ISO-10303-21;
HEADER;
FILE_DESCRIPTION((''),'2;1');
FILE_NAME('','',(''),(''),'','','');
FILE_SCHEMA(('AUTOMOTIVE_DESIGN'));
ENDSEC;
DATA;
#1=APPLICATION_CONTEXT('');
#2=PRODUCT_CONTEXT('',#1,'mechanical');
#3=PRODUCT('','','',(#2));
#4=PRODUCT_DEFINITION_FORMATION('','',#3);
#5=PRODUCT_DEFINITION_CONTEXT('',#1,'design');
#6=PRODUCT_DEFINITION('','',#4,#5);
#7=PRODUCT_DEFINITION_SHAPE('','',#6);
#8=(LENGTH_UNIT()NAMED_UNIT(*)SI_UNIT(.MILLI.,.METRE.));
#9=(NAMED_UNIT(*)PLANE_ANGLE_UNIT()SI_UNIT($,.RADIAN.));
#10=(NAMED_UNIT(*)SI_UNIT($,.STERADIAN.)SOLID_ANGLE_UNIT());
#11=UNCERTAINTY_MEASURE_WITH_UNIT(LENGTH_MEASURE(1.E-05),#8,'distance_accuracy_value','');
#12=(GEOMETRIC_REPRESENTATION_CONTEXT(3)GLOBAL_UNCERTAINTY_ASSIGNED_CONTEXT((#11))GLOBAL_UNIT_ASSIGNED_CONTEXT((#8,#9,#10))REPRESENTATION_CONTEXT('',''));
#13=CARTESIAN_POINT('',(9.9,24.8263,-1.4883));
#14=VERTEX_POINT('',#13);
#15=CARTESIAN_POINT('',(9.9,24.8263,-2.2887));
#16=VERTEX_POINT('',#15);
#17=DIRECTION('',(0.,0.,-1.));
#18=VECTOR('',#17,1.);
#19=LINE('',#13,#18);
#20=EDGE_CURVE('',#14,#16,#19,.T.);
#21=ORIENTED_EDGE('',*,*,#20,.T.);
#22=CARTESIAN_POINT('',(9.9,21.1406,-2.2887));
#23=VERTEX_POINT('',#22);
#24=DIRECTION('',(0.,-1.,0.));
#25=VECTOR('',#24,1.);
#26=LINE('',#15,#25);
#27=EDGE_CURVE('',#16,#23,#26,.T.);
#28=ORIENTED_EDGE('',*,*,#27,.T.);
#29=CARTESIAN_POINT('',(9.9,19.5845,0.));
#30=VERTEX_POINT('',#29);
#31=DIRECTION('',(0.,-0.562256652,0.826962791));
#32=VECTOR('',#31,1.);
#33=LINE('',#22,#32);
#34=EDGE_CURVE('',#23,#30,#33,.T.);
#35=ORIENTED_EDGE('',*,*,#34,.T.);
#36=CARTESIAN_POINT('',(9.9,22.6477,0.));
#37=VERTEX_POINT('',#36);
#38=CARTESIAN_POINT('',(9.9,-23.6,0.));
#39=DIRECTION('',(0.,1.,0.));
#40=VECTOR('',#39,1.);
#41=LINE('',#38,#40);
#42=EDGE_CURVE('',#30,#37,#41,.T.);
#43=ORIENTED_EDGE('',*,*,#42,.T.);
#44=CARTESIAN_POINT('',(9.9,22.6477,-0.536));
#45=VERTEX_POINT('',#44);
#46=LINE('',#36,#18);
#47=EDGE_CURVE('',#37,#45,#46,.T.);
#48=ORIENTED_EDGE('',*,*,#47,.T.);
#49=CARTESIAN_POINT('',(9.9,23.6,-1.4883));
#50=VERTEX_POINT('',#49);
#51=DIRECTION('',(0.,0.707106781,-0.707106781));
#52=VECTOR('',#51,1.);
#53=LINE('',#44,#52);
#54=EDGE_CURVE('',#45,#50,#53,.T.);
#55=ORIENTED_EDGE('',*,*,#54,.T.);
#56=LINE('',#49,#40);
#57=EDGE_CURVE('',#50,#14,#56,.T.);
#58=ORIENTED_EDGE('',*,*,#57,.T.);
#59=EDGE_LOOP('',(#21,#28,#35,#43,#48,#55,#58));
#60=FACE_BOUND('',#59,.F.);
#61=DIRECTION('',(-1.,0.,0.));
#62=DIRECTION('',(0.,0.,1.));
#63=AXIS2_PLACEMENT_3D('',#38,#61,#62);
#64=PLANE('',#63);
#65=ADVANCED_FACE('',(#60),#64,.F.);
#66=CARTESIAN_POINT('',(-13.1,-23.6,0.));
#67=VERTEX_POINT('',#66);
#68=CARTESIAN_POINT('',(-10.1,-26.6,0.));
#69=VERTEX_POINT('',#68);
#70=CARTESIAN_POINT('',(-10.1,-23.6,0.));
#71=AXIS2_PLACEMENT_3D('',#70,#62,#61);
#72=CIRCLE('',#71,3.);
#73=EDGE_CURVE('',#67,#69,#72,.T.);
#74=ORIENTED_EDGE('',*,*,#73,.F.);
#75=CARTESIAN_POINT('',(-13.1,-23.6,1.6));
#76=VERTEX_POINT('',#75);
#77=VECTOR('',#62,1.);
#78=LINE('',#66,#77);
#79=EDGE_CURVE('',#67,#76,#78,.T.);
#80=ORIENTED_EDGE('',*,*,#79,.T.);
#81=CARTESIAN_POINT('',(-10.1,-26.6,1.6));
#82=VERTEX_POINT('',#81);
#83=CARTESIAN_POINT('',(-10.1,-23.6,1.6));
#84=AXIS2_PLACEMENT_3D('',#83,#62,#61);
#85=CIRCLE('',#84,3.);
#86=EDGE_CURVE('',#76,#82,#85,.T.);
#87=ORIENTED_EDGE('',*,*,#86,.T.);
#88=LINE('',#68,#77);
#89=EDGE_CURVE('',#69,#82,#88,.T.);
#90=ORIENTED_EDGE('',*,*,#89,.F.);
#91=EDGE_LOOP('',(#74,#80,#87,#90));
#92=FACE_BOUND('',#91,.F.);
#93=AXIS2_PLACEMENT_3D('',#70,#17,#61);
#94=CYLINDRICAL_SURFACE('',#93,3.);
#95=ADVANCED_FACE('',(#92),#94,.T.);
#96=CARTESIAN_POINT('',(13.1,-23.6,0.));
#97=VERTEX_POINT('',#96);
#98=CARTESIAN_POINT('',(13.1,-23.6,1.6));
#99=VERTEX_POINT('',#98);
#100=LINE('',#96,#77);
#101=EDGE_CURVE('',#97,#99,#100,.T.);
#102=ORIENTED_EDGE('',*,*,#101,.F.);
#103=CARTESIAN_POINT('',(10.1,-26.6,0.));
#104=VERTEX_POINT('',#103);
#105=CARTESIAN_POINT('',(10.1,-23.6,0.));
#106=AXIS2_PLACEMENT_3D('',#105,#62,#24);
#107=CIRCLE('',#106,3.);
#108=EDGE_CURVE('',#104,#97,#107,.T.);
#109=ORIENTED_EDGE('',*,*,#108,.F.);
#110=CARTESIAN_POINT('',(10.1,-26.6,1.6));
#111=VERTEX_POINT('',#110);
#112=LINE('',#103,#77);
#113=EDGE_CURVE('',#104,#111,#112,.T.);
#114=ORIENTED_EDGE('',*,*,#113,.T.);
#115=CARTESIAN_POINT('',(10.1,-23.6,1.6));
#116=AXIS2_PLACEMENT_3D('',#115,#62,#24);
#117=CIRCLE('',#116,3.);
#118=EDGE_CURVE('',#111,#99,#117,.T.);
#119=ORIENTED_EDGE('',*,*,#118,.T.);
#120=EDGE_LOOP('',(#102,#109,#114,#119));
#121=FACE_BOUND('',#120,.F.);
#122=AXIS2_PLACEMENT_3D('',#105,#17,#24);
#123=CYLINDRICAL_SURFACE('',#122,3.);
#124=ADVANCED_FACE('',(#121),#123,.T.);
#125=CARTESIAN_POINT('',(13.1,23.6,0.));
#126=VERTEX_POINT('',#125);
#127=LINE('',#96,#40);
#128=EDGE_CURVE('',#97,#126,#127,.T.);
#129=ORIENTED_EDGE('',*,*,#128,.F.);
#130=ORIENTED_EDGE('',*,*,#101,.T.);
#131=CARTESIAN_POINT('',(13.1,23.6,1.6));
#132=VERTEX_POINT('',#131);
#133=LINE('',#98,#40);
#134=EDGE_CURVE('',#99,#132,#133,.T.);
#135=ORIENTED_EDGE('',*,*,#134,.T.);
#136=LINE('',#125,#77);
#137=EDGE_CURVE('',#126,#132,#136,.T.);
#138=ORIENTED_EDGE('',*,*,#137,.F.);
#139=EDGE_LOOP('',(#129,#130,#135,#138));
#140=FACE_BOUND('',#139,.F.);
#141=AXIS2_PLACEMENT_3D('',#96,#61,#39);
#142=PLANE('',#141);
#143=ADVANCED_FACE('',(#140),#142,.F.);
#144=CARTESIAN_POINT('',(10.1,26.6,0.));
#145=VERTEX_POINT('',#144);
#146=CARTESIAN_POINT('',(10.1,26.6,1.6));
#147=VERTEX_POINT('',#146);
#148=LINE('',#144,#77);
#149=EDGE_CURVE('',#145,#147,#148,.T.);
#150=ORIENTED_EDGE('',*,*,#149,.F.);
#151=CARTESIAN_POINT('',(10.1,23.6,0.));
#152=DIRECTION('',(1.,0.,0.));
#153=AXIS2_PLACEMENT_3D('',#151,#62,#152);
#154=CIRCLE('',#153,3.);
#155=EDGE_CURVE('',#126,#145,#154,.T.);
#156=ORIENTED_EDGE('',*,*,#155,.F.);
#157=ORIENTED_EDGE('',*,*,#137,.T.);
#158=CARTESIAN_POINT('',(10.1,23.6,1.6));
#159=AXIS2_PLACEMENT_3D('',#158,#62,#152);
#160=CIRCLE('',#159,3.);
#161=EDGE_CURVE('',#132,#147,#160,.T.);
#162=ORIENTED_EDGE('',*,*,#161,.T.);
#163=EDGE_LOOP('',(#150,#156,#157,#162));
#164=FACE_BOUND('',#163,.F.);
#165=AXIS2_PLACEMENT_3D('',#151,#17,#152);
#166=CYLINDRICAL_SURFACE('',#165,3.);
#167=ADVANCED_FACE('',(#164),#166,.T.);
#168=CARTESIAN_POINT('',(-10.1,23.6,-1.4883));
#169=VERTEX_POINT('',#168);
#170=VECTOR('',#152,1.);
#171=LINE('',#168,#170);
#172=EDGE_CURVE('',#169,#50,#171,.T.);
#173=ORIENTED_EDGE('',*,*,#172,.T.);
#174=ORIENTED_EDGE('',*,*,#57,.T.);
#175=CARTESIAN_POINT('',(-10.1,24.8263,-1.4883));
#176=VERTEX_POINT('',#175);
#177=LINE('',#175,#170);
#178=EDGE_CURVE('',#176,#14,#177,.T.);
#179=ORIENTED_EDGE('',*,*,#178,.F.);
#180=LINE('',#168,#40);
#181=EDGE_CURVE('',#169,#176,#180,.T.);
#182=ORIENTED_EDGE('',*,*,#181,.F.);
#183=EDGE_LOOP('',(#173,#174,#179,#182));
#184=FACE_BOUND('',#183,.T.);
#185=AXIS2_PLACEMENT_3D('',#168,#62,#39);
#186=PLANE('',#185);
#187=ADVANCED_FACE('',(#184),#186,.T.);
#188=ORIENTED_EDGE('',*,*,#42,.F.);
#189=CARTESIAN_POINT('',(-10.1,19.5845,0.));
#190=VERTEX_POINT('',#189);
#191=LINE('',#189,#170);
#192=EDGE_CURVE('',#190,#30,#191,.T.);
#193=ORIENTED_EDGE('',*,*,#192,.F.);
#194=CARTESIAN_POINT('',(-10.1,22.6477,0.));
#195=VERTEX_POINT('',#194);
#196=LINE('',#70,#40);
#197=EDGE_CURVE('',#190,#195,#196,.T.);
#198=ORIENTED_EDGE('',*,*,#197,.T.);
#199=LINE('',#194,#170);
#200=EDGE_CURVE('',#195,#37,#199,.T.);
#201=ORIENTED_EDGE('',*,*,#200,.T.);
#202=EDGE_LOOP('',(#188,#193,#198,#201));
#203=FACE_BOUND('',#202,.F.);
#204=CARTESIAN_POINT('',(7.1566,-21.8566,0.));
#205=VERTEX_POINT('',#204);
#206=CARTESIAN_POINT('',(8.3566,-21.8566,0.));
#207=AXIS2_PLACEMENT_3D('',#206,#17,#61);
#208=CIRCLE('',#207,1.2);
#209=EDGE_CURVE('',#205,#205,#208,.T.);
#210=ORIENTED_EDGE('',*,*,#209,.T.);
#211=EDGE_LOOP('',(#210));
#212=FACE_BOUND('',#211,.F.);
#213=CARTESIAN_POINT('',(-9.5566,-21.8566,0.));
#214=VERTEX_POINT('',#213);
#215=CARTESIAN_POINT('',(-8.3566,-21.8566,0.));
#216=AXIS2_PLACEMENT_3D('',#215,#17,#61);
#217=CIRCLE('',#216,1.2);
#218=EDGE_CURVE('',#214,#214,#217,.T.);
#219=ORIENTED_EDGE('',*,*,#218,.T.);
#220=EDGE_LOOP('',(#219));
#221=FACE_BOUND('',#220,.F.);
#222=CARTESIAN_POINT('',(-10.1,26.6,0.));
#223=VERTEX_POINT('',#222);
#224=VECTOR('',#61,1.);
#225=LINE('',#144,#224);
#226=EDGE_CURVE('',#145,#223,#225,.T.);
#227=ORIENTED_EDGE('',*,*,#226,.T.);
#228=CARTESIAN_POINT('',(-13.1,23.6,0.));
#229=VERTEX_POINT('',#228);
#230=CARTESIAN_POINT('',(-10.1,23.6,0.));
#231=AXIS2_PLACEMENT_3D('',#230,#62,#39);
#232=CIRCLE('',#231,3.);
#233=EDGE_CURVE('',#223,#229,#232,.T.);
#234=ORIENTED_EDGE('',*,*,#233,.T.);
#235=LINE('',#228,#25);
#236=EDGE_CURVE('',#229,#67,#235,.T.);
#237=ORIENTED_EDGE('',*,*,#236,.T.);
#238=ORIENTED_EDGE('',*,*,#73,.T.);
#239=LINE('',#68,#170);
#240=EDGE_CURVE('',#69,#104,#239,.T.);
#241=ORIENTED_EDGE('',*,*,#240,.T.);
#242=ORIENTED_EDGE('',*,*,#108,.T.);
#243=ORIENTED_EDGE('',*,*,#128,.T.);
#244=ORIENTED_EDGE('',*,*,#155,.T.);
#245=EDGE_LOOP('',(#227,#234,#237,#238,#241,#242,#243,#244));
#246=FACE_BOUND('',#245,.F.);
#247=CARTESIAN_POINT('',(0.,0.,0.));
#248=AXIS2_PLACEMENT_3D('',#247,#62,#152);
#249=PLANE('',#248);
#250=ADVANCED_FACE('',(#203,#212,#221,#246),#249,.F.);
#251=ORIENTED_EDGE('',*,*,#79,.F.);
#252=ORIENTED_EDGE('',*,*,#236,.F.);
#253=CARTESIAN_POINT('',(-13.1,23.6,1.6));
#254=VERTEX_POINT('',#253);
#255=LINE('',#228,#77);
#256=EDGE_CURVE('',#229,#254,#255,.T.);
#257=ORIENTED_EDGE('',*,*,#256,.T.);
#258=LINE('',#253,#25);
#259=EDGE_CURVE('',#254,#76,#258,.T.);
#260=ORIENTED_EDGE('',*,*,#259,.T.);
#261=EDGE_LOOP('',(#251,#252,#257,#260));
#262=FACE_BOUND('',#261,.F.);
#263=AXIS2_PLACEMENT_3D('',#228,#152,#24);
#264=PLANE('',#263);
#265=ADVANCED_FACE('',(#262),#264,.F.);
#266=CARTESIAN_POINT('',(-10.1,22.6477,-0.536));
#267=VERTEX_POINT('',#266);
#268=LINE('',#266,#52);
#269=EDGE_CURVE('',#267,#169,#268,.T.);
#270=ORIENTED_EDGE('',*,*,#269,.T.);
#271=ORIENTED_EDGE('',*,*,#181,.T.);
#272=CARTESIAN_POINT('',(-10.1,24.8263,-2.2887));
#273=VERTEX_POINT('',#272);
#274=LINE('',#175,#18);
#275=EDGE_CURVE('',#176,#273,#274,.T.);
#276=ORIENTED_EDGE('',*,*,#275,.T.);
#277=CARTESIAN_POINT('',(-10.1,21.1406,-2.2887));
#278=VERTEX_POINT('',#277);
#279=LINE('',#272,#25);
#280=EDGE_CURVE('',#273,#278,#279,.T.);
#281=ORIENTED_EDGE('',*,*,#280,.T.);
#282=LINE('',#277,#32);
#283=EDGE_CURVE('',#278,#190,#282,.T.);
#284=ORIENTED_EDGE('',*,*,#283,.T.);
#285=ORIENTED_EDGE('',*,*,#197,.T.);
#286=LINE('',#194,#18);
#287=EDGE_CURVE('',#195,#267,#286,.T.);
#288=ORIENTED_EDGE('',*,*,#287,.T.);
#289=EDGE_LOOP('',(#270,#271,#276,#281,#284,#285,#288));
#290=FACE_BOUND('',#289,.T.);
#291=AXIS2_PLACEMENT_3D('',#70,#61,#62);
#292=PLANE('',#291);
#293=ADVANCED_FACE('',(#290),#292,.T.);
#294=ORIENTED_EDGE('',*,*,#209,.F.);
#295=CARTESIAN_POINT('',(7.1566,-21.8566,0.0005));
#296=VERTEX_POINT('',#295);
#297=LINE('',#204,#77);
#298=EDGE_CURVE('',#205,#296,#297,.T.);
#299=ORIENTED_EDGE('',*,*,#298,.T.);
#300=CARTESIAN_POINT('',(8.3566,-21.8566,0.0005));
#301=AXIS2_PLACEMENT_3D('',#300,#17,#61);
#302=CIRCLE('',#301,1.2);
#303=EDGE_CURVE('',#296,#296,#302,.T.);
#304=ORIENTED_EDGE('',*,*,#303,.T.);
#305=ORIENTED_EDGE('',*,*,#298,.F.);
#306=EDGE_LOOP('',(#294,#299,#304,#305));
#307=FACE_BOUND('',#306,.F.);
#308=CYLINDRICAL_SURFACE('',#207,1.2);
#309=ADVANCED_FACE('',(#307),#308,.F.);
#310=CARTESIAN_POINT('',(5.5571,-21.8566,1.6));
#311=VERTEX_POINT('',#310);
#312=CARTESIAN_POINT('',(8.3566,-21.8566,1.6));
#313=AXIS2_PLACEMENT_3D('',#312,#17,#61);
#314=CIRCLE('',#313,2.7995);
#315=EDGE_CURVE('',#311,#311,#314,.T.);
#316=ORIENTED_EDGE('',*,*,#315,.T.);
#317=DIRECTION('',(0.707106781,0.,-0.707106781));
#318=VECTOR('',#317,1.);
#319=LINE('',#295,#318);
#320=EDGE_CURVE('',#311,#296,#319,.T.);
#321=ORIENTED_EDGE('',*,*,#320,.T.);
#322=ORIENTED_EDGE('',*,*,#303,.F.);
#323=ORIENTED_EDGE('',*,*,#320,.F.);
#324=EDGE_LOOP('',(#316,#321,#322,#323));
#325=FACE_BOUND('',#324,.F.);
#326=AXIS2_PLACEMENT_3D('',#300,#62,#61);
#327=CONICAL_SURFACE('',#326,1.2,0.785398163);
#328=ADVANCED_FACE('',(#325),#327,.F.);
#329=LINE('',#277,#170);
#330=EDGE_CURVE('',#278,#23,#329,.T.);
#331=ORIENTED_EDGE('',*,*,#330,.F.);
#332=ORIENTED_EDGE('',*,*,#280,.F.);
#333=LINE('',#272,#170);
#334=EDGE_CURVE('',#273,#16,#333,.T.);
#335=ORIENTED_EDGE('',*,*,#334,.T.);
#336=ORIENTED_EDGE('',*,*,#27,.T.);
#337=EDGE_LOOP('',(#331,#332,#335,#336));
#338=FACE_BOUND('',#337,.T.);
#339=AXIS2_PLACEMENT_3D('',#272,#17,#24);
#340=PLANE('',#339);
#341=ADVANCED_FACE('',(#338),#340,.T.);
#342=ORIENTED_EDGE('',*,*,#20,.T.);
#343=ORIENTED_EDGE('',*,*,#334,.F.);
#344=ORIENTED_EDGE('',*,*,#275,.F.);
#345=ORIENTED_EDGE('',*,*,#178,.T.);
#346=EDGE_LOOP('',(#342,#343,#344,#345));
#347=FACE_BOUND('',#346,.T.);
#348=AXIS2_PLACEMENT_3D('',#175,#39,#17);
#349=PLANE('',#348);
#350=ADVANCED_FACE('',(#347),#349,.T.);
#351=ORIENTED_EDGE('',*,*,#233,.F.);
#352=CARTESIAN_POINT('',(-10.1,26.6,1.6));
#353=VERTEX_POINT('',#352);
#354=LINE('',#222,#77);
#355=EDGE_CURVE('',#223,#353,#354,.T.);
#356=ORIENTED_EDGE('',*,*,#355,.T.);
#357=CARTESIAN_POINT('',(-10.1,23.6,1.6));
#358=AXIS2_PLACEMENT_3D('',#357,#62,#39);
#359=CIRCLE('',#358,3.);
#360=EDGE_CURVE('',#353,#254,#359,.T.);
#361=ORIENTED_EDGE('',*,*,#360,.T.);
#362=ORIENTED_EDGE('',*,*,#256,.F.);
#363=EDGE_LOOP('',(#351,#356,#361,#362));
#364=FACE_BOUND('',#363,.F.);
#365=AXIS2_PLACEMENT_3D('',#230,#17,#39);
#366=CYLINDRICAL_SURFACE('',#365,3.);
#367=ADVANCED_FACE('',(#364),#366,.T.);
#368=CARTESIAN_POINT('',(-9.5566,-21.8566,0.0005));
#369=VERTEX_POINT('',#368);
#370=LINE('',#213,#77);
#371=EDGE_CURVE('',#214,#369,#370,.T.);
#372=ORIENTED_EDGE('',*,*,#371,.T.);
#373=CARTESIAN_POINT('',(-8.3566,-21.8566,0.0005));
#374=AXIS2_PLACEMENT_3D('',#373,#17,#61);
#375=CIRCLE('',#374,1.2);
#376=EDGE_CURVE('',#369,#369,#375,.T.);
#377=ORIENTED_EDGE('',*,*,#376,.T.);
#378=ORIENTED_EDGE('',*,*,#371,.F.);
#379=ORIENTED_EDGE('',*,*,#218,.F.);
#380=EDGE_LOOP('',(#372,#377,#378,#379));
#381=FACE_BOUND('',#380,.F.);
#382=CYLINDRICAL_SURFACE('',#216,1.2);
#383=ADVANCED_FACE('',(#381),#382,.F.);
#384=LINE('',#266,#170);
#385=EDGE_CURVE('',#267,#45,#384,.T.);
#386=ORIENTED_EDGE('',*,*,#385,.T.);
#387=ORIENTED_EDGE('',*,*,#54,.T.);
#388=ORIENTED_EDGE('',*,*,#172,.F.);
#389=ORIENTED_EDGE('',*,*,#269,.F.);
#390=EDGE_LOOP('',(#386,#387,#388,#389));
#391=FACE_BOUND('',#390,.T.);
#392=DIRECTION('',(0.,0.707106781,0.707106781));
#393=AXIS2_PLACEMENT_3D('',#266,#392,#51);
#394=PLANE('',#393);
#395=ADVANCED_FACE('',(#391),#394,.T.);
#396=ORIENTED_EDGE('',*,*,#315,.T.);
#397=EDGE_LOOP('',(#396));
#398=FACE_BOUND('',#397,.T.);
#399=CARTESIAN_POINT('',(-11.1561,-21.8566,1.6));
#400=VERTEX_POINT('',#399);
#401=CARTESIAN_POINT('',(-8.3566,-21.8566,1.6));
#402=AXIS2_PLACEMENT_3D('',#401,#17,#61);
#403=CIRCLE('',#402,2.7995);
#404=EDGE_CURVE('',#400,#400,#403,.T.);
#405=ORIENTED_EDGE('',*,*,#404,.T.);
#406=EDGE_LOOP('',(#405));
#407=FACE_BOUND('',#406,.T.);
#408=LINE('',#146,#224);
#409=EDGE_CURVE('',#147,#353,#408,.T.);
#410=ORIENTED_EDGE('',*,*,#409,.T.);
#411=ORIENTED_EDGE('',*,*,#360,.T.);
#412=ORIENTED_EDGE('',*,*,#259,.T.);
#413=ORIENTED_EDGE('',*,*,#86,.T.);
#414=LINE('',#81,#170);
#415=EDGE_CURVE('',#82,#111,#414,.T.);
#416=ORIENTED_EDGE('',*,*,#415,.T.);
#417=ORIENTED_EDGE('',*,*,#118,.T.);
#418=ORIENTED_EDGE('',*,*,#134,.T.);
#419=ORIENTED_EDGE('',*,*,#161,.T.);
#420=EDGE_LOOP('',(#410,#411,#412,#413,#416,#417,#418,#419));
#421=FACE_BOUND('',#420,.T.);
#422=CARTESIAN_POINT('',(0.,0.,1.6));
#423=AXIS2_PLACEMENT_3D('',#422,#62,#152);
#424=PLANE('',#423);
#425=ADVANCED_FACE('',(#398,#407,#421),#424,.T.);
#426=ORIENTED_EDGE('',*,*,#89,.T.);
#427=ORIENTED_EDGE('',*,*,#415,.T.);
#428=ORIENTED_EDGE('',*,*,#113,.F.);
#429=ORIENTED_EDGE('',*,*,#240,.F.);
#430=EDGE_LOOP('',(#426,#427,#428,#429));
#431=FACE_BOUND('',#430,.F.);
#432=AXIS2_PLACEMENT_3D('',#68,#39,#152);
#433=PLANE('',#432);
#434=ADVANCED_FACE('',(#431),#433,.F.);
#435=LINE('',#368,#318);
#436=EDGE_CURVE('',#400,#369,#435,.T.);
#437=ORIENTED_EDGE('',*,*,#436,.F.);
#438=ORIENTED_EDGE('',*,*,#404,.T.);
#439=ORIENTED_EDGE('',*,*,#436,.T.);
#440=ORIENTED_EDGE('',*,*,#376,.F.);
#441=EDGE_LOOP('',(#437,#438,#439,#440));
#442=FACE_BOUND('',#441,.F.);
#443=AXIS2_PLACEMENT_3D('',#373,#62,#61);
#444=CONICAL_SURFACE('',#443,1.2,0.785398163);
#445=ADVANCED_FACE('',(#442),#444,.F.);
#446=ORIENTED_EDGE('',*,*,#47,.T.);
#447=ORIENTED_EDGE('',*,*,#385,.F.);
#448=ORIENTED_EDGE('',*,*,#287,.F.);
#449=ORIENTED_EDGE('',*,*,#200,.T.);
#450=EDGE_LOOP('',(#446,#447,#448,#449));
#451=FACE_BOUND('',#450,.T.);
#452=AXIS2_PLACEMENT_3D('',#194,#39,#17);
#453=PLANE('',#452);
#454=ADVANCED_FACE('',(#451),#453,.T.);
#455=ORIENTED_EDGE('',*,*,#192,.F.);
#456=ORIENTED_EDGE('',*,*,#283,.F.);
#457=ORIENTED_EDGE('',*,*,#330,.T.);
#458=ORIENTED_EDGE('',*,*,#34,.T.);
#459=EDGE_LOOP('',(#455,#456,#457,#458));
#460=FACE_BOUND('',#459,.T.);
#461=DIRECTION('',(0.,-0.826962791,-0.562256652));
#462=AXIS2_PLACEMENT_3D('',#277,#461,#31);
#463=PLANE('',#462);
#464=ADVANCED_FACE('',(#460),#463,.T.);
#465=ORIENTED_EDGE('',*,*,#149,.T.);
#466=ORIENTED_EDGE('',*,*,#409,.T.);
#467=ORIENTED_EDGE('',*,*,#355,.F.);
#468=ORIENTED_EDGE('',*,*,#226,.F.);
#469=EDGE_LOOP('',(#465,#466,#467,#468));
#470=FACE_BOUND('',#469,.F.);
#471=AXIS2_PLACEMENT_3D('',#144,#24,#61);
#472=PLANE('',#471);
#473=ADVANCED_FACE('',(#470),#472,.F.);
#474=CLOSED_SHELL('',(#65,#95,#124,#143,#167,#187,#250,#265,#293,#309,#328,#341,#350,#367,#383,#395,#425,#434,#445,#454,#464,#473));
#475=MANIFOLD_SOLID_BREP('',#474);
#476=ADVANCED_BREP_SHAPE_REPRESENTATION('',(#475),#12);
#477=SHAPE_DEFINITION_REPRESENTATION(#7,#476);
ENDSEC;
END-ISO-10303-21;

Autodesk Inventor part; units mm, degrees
ref_plane "YZ Plane" through (0, 0, 0) normal (1, 0, 0) x (0, 1, 0)
ref_plane "XZ Plane" through (0, 0, 0) normal (0, 1, 0) x (-1, 0, 0)
sketch "Sketch1" plane through (0, 0, 0) normal (0, 0, 1) x (1, 0, 0)
  arc A0 (13.1, 23.6) -> (10.1, 26.6) centre (10.1, 23.6) ccw projected
  line L0 (10.1, 26.6) -> (-10.1, 26.6) projected
  arc A1 (-10.1, 26.6) -> (-13.1, 23.6) centre (-10.1, 23.6) ccw projected
  line L1 (-13.1, 23.6) -> (-13.1, -23.6) projected
  arc A2 (-13.1, -23.6) -> (-10.1, -26.6) centre (-10.1, -23.6) ccw projected
  line L2 (-10.1, -26.6) -> (10.1, -26.6) projected
  arc A3 (10.1, -26.6) -> (13.1, -23.6) centre (10.1, -23.6) ccw projected
  line L3 (13.1, -23.6) -> (13.1, 23.6) projected
  line L4 (11.5, 23) -> (11.5, -21.8566) projected
  line L5 (11.5, -21.8566) -> (11.5, -25) projected
  line L6 (11.5, -25) -> (8.3566, -25) projected
  line L7 (8.3566, -25) -> (-8.3566, -25) projected
  line L8 (-8.3566, -25) -> (-11.5, -25) projected
  line L9 (-11.5, -25) -> (-11.5, -21.8566) projected
  line L10 (-11.5, -21.8566) -> (-11.5, 23) projected
  line L11 (11.5, 23) -> (-11.5, 23) projected
  point P0 (0, 0)
extrude "Extrusion1" add sketch "Sketch1" along normal blind 1.6 contours L3 A3 L2 A2 L1 A1 L0 A0 | L4 L5 L6 L7 L8 L9 L10 L11
sketch "Sketch2" plane through (0, 0, 0) normal (0, 0, -1) x (-1, 0, 0)
  circle A0 centre (8.3566, -21.8566) radius 1.2 projected
  circle A1 centre (-8.3566, -21.8566) radius 1.2 projected
  point P0 (0, 0)
extrude "Extrusion2" cut sketch "Sketch2" against normal blind 1.6
chamfer "Chamfer1" distance 1.6 angle 45 2 edges at (9.5566, -21.8566, 1.6) (-7.1566, -21.8566, 1.6)
sketch "Sketch3" plane through (0, 0, 0) normal (0, 0, -1) x (-1, 0, 0)
  circle A0 centre (8.3566, -21.8566) radius 1.2 projected
  circle A1 centre (-8.3566, -21.8566) radius 1.2 projected
  arc A2 (-10.1, 26.6) -> (-13.1, 23.6) centre (-10.1, 23.6) ccw projected
  line L0 (-13.1, 23.6) -> (-13.1, -23.6) projected
  arc A3 (-13.1, -23.6) -> (-10.1, -26.6) centre (-10.1, -23.6) ccw projected
  line L1 (-10.1, -26.6) -> (10.1, -26.6) projected
  arc A4 (10.1, -26.6) -> (13.1, -23.6) centre (10.1, -23.6) ccw projected
  line L2 (13.1, -23.6) -> (13.1, 23.6) projected
  arc A5 (13.1, 23.6) -> (10.1, 26.6) centre (10.1, 23.6) ccw projected
  line L3 (10.1, 26.6) -> (-10.1, 26.6) projected
  point P0 (0, 0)
sketch "Sketch6" plane through (-13.1, -23.6, 1.6) normal (-1, 0, 0) x (0, 0, 1)
  line L0 (-1.6, 0) -> (-1.6, 47.2) projected
  line L1 (-1.6, 46.2477) -> (-2.136, 46.2477) projected
  line L2 (-2.136, 46.2477) -> (-3.0883, 47.2) projected
  line L3 (-3.0883, 47.2) -> (-3.0883, 48.4263) projected
  line L4 (-3.0883, 48.4263) -> (-3.8887, 48.4263) projected
  line L5 (-3.8887, 48.4263) -> (-3.8887, 44.7406) projected
  line L6 (-3.8887, 44.7406) -> (-1.6, 43.1845) projected
  line L7 (-1.6, 46.2477) -> (-1.6, 43.1845)
  point P0 (-1.6, 23.6)
  point P1 (-1.6, 1.7434)
extrude "Extrusion4" cut sketch "Sketch6" against normal blind 3
sketch "Sketch7" plane through (13.1, -23.6, 1.6) normal (1, 0, 0) x (0, 0, -1)
  line L0 (3.8887, 44.7406) -> (1.6, 43.1845) projected
  line L1 (3.8887, 48.4263) -> (3.8887, 44.7406) projected
  line L2 (3.0883, 48.4263) -> (3.8887, 48.4263) projected
  line L3 (3.0883, 47.2) -> (3.0883, 48.4263) projected
  line L4 (2.136, 46.2477) -> (3.0883, 47.2) projected
  line L5 (1.6, 46.2477) -> (2.136, 46.2477) projected
  line L6 (1.6, 46.2477) -> (1.6, 43.1845)
  point P0 (1.6, 23.6)
extrude "Extrusion5" cut sketch "Sketch7" against normal blind 3
ref_plane "Work Plane1" through (-10.1, -23.6, 0) normal (-1, 0, 0) x (0, 0, 1)
sketch "Sketch8" plane through (-10.1, -23.6, 0) normal (-1, 0, 0) x (0, 0, 1)
  line L0 (-0.536, 46.2477) -> (-1.4883, 47.2) projected
  line L1 (-1.4883, 47.2) -> (-1.4883, 48.4263) projected
  line L2 (-1.4883, 48.4263) -> (-2.2887, 48.4263) projected
  line L3 (-2.2887, 48.4263) -> (-2.2887, 44.7406) projected
  line L4 (-2.2887, 44.7406) -> (0, 43.1845) projected
  line L5 (0, 46.2477) -> (-0.536, 46.2477) projected
  line L6 (0, 0) -> (0, 47.2) projected
  point P0 (0, 23.6)
extrude "Extrusion6" add sketch "Sketch8" against normal blind 20
properties part number "top v3"
